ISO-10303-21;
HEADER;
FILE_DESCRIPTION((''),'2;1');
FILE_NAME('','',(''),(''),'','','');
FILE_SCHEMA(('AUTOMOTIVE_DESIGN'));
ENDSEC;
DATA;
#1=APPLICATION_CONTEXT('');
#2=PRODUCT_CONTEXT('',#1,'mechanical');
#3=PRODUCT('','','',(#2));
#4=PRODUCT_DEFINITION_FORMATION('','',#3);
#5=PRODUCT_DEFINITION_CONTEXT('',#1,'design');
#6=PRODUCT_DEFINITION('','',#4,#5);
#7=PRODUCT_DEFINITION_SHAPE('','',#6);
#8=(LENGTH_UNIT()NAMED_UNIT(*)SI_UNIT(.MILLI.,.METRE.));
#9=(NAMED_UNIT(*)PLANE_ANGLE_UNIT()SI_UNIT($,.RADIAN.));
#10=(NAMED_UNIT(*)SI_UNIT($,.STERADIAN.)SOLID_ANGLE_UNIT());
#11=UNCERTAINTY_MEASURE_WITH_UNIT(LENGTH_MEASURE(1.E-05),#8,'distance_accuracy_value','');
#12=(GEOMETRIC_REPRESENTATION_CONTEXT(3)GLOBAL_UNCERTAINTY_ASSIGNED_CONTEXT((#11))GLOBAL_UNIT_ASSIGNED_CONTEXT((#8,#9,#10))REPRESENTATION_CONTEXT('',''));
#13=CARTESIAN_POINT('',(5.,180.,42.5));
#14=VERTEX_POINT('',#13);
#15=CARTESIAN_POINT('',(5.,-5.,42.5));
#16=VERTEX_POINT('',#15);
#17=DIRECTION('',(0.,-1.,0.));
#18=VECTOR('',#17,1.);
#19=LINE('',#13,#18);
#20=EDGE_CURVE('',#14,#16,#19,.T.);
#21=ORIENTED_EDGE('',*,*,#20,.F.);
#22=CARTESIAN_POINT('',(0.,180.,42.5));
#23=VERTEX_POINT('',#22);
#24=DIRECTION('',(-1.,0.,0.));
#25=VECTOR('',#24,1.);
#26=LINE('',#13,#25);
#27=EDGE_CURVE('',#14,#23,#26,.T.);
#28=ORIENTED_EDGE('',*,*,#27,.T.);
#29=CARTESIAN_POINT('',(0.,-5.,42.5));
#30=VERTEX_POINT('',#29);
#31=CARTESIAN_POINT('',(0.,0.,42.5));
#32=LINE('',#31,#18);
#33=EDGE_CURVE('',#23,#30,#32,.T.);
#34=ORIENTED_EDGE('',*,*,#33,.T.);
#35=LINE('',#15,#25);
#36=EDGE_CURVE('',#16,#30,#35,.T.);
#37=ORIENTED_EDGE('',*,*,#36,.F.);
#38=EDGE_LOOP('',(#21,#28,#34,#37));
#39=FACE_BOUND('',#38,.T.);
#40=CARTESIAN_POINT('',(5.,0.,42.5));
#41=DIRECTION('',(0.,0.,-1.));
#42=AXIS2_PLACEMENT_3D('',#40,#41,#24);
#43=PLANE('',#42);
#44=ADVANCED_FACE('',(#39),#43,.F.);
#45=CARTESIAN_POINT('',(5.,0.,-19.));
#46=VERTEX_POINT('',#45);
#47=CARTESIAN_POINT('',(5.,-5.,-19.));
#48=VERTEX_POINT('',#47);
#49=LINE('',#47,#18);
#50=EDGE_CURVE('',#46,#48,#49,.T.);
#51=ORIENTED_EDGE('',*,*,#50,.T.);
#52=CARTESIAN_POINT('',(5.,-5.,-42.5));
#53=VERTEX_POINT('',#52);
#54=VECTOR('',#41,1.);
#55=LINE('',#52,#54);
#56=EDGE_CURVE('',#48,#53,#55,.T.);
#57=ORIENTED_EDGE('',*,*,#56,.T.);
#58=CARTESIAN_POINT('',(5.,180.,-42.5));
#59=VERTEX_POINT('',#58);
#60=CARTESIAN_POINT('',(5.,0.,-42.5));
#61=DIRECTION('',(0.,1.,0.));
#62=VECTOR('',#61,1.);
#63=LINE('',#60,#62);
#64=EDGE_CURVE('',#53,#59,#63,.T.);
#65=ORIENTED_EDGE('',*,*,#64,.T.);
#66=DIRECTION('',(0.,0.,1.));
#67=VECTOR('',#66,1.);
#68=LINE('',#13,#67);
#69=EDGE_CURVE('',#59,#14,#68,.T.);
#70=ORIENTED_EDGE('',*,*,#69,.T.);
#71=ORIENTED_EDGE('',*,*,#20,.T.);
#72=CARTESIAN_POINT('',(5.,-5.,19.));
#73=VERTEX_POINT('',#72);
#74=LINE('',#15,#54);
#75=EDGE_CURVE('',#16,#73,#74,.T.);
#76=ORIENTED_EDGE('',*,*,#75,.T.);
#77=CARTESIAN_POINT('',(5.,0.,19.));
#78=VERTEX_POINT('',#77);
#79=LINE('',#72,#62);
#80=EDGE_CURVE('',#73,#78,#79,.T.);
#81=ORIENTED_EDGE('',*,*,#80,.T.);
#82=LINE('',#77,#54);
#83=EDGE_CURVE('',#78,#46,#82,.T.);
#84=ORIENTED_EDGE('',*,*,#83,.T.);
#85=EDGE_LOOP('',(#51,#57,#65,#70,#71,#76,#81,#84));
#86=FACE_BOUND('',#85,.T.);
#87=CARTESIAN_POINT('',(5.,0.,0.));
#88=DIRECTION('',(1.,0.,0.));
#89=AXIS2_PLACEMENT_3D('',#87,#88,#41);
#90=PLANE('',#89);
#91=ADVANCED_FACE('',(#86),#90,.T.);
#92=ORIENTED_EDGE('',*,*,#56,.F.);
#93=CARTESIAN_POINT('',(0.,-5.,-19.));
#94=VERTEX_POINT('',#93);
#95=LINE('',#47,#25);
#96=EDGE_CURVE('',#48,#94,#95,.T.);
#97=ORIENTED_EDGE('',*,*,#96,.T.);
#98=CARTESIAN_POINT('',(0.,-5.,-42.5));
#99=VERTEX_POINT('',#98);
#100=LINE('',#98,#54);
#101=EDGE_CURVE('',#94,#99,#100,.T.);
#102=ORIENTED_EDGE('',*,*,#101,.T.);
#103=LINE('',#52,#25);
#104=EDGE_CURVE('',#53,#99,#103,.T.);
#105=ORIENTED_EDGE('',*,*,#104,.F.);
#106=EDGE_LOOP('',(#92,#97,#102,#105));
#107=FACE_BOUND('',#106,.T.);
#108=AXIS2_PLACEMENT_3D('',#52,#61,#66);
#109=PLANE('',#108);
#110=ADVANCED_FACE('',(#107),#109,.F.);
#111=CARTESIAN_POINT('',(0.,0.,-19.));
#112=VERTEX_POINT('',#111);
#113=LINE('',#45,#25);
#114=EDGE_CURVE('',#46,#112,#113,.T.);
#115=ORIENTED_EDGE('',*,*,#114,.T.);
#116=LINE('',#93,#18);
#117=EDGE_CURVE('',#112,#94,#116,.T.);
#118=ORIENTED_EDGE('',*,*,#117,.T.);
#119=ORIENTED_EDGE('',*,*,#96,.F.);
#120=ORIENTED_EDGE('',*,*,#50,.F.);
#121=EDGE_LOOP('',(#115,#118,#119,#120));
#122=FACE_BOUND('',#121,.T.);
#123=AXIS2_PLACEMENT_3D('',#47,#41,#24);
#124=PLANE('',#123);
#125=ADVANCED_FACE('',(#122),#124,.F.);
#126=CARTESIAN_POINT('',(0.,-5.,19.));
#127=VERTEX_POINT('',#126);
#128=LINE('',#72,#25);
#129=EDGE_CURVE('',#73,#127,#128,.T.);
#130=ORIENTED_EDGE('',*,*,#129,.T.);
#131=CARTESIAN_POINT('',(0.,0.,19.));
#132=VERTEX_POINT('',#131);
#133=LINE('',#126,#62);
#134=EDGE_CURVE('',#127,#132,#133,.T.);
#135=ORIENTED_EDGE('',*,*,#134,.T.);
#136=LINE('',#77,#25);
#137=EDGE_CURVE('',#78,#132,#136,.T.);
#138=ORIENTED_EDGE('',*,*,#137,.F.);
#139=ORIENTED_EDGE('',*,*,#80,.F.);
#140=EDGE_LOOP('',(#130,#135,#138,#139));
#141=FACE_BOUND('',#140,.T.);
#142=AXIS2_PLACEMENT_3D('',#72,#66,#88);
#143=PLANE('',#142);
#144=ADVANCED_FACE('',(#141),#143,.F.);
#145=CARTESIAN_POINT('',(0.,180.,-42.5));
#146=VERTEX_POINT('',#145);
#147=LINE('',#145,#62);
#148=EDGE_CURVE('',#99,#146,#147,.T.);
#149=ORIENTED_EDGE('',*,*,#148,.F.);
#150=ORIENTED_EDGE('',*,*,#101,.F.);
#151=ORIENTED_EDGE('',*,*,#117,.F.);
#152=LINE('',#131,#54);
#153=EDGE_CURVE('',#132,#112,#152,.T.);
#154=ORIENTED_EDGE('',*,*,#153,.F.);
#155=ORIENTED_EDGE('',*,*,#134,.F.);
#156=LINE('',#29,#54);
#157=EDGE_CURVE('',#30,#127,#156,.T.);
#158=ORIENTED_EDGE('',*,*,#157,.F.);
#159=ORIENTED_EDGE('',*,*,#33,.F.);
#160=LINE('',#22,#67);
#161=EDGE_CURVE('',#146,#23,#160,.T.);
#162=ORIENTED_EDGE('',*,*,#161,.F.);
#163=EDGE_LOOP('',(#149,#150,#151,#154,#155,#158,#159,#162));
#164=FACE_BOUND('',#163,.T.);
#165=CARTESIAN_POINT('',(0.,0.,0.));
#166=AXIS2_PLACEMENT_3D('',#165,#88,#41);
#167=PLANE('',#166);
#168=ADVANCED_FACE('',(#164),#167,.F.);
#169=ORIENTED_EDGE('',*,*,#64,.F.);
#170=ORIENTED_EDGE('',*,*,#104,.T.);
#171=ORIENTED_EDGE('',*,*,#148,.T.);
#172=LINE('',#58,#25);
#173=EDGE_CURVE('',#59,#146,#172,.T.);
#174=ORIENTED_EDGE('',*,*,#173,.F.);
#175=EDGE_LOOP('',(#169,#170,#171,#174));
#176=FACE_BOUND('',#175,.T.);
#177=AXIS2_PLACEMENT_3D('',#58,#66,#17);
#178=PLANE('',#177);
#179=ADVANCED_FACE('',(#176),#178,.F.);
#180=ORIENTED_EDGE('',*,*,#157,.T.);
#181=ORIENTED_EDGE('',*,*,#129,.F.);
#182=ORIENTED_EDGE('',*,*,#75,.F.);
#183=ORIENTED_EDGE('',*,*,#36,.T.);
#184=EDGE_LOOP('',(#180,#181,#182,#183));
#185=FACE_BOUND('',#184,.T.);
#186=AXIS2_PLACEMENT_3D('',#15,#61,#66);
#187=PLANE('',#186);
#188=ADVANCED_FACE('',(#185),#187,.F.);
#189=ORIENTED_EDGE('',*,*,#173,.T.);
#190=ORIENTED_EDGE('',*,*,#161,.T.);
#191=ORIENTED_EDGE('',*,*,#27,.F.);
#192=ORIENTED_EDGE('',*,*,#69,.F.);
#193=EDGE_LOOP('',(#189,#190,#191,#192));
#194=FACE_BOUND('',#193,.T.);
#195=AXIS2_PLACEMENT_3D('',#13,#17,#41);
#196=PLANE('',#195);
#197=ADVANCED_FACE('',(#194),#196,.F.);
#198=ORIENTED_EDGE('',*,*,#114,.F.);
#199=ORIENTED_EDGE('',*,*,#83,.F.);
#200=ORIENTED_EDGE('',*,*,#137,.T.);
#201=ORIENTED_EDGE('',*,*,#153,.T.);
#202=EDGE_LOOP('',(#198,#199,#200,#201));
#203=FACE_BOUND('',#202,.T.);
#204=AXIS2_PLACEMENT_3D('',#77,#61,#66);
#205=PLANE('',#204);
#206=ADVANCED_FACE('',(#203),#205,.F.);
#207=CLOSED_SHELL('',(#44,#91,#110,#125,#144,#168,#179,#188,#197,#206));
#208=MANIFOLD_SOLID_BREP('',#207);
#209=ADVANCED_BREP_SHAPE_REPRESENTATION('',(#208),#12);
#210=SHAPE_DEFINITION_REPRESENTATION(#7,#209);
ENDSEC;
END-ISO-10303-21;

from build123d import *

# Parameters (mm, degrees)
BOSS_EXTRUDE1_DEPTH = 5


with BuildPart() as part:
    # Sketch1 → Boss-Extrude1 (new body)
    with BuildSketch(Plane(origin=(0, 0, 0), x_dir=(0, 0, -1), z_dir=(1, 0, 0))):
        Polygon((-42.5, 180), (42.5, 180), (42.5, 0), (42.5, -5), (19, -5), (19, 0), (-19, 0), (-19, -5), (-42.5, -5), (-42.5, 0), align=None)
    extrude(amount=BOSS_EXTRUDE1_DEPTH)


solid = part.part
